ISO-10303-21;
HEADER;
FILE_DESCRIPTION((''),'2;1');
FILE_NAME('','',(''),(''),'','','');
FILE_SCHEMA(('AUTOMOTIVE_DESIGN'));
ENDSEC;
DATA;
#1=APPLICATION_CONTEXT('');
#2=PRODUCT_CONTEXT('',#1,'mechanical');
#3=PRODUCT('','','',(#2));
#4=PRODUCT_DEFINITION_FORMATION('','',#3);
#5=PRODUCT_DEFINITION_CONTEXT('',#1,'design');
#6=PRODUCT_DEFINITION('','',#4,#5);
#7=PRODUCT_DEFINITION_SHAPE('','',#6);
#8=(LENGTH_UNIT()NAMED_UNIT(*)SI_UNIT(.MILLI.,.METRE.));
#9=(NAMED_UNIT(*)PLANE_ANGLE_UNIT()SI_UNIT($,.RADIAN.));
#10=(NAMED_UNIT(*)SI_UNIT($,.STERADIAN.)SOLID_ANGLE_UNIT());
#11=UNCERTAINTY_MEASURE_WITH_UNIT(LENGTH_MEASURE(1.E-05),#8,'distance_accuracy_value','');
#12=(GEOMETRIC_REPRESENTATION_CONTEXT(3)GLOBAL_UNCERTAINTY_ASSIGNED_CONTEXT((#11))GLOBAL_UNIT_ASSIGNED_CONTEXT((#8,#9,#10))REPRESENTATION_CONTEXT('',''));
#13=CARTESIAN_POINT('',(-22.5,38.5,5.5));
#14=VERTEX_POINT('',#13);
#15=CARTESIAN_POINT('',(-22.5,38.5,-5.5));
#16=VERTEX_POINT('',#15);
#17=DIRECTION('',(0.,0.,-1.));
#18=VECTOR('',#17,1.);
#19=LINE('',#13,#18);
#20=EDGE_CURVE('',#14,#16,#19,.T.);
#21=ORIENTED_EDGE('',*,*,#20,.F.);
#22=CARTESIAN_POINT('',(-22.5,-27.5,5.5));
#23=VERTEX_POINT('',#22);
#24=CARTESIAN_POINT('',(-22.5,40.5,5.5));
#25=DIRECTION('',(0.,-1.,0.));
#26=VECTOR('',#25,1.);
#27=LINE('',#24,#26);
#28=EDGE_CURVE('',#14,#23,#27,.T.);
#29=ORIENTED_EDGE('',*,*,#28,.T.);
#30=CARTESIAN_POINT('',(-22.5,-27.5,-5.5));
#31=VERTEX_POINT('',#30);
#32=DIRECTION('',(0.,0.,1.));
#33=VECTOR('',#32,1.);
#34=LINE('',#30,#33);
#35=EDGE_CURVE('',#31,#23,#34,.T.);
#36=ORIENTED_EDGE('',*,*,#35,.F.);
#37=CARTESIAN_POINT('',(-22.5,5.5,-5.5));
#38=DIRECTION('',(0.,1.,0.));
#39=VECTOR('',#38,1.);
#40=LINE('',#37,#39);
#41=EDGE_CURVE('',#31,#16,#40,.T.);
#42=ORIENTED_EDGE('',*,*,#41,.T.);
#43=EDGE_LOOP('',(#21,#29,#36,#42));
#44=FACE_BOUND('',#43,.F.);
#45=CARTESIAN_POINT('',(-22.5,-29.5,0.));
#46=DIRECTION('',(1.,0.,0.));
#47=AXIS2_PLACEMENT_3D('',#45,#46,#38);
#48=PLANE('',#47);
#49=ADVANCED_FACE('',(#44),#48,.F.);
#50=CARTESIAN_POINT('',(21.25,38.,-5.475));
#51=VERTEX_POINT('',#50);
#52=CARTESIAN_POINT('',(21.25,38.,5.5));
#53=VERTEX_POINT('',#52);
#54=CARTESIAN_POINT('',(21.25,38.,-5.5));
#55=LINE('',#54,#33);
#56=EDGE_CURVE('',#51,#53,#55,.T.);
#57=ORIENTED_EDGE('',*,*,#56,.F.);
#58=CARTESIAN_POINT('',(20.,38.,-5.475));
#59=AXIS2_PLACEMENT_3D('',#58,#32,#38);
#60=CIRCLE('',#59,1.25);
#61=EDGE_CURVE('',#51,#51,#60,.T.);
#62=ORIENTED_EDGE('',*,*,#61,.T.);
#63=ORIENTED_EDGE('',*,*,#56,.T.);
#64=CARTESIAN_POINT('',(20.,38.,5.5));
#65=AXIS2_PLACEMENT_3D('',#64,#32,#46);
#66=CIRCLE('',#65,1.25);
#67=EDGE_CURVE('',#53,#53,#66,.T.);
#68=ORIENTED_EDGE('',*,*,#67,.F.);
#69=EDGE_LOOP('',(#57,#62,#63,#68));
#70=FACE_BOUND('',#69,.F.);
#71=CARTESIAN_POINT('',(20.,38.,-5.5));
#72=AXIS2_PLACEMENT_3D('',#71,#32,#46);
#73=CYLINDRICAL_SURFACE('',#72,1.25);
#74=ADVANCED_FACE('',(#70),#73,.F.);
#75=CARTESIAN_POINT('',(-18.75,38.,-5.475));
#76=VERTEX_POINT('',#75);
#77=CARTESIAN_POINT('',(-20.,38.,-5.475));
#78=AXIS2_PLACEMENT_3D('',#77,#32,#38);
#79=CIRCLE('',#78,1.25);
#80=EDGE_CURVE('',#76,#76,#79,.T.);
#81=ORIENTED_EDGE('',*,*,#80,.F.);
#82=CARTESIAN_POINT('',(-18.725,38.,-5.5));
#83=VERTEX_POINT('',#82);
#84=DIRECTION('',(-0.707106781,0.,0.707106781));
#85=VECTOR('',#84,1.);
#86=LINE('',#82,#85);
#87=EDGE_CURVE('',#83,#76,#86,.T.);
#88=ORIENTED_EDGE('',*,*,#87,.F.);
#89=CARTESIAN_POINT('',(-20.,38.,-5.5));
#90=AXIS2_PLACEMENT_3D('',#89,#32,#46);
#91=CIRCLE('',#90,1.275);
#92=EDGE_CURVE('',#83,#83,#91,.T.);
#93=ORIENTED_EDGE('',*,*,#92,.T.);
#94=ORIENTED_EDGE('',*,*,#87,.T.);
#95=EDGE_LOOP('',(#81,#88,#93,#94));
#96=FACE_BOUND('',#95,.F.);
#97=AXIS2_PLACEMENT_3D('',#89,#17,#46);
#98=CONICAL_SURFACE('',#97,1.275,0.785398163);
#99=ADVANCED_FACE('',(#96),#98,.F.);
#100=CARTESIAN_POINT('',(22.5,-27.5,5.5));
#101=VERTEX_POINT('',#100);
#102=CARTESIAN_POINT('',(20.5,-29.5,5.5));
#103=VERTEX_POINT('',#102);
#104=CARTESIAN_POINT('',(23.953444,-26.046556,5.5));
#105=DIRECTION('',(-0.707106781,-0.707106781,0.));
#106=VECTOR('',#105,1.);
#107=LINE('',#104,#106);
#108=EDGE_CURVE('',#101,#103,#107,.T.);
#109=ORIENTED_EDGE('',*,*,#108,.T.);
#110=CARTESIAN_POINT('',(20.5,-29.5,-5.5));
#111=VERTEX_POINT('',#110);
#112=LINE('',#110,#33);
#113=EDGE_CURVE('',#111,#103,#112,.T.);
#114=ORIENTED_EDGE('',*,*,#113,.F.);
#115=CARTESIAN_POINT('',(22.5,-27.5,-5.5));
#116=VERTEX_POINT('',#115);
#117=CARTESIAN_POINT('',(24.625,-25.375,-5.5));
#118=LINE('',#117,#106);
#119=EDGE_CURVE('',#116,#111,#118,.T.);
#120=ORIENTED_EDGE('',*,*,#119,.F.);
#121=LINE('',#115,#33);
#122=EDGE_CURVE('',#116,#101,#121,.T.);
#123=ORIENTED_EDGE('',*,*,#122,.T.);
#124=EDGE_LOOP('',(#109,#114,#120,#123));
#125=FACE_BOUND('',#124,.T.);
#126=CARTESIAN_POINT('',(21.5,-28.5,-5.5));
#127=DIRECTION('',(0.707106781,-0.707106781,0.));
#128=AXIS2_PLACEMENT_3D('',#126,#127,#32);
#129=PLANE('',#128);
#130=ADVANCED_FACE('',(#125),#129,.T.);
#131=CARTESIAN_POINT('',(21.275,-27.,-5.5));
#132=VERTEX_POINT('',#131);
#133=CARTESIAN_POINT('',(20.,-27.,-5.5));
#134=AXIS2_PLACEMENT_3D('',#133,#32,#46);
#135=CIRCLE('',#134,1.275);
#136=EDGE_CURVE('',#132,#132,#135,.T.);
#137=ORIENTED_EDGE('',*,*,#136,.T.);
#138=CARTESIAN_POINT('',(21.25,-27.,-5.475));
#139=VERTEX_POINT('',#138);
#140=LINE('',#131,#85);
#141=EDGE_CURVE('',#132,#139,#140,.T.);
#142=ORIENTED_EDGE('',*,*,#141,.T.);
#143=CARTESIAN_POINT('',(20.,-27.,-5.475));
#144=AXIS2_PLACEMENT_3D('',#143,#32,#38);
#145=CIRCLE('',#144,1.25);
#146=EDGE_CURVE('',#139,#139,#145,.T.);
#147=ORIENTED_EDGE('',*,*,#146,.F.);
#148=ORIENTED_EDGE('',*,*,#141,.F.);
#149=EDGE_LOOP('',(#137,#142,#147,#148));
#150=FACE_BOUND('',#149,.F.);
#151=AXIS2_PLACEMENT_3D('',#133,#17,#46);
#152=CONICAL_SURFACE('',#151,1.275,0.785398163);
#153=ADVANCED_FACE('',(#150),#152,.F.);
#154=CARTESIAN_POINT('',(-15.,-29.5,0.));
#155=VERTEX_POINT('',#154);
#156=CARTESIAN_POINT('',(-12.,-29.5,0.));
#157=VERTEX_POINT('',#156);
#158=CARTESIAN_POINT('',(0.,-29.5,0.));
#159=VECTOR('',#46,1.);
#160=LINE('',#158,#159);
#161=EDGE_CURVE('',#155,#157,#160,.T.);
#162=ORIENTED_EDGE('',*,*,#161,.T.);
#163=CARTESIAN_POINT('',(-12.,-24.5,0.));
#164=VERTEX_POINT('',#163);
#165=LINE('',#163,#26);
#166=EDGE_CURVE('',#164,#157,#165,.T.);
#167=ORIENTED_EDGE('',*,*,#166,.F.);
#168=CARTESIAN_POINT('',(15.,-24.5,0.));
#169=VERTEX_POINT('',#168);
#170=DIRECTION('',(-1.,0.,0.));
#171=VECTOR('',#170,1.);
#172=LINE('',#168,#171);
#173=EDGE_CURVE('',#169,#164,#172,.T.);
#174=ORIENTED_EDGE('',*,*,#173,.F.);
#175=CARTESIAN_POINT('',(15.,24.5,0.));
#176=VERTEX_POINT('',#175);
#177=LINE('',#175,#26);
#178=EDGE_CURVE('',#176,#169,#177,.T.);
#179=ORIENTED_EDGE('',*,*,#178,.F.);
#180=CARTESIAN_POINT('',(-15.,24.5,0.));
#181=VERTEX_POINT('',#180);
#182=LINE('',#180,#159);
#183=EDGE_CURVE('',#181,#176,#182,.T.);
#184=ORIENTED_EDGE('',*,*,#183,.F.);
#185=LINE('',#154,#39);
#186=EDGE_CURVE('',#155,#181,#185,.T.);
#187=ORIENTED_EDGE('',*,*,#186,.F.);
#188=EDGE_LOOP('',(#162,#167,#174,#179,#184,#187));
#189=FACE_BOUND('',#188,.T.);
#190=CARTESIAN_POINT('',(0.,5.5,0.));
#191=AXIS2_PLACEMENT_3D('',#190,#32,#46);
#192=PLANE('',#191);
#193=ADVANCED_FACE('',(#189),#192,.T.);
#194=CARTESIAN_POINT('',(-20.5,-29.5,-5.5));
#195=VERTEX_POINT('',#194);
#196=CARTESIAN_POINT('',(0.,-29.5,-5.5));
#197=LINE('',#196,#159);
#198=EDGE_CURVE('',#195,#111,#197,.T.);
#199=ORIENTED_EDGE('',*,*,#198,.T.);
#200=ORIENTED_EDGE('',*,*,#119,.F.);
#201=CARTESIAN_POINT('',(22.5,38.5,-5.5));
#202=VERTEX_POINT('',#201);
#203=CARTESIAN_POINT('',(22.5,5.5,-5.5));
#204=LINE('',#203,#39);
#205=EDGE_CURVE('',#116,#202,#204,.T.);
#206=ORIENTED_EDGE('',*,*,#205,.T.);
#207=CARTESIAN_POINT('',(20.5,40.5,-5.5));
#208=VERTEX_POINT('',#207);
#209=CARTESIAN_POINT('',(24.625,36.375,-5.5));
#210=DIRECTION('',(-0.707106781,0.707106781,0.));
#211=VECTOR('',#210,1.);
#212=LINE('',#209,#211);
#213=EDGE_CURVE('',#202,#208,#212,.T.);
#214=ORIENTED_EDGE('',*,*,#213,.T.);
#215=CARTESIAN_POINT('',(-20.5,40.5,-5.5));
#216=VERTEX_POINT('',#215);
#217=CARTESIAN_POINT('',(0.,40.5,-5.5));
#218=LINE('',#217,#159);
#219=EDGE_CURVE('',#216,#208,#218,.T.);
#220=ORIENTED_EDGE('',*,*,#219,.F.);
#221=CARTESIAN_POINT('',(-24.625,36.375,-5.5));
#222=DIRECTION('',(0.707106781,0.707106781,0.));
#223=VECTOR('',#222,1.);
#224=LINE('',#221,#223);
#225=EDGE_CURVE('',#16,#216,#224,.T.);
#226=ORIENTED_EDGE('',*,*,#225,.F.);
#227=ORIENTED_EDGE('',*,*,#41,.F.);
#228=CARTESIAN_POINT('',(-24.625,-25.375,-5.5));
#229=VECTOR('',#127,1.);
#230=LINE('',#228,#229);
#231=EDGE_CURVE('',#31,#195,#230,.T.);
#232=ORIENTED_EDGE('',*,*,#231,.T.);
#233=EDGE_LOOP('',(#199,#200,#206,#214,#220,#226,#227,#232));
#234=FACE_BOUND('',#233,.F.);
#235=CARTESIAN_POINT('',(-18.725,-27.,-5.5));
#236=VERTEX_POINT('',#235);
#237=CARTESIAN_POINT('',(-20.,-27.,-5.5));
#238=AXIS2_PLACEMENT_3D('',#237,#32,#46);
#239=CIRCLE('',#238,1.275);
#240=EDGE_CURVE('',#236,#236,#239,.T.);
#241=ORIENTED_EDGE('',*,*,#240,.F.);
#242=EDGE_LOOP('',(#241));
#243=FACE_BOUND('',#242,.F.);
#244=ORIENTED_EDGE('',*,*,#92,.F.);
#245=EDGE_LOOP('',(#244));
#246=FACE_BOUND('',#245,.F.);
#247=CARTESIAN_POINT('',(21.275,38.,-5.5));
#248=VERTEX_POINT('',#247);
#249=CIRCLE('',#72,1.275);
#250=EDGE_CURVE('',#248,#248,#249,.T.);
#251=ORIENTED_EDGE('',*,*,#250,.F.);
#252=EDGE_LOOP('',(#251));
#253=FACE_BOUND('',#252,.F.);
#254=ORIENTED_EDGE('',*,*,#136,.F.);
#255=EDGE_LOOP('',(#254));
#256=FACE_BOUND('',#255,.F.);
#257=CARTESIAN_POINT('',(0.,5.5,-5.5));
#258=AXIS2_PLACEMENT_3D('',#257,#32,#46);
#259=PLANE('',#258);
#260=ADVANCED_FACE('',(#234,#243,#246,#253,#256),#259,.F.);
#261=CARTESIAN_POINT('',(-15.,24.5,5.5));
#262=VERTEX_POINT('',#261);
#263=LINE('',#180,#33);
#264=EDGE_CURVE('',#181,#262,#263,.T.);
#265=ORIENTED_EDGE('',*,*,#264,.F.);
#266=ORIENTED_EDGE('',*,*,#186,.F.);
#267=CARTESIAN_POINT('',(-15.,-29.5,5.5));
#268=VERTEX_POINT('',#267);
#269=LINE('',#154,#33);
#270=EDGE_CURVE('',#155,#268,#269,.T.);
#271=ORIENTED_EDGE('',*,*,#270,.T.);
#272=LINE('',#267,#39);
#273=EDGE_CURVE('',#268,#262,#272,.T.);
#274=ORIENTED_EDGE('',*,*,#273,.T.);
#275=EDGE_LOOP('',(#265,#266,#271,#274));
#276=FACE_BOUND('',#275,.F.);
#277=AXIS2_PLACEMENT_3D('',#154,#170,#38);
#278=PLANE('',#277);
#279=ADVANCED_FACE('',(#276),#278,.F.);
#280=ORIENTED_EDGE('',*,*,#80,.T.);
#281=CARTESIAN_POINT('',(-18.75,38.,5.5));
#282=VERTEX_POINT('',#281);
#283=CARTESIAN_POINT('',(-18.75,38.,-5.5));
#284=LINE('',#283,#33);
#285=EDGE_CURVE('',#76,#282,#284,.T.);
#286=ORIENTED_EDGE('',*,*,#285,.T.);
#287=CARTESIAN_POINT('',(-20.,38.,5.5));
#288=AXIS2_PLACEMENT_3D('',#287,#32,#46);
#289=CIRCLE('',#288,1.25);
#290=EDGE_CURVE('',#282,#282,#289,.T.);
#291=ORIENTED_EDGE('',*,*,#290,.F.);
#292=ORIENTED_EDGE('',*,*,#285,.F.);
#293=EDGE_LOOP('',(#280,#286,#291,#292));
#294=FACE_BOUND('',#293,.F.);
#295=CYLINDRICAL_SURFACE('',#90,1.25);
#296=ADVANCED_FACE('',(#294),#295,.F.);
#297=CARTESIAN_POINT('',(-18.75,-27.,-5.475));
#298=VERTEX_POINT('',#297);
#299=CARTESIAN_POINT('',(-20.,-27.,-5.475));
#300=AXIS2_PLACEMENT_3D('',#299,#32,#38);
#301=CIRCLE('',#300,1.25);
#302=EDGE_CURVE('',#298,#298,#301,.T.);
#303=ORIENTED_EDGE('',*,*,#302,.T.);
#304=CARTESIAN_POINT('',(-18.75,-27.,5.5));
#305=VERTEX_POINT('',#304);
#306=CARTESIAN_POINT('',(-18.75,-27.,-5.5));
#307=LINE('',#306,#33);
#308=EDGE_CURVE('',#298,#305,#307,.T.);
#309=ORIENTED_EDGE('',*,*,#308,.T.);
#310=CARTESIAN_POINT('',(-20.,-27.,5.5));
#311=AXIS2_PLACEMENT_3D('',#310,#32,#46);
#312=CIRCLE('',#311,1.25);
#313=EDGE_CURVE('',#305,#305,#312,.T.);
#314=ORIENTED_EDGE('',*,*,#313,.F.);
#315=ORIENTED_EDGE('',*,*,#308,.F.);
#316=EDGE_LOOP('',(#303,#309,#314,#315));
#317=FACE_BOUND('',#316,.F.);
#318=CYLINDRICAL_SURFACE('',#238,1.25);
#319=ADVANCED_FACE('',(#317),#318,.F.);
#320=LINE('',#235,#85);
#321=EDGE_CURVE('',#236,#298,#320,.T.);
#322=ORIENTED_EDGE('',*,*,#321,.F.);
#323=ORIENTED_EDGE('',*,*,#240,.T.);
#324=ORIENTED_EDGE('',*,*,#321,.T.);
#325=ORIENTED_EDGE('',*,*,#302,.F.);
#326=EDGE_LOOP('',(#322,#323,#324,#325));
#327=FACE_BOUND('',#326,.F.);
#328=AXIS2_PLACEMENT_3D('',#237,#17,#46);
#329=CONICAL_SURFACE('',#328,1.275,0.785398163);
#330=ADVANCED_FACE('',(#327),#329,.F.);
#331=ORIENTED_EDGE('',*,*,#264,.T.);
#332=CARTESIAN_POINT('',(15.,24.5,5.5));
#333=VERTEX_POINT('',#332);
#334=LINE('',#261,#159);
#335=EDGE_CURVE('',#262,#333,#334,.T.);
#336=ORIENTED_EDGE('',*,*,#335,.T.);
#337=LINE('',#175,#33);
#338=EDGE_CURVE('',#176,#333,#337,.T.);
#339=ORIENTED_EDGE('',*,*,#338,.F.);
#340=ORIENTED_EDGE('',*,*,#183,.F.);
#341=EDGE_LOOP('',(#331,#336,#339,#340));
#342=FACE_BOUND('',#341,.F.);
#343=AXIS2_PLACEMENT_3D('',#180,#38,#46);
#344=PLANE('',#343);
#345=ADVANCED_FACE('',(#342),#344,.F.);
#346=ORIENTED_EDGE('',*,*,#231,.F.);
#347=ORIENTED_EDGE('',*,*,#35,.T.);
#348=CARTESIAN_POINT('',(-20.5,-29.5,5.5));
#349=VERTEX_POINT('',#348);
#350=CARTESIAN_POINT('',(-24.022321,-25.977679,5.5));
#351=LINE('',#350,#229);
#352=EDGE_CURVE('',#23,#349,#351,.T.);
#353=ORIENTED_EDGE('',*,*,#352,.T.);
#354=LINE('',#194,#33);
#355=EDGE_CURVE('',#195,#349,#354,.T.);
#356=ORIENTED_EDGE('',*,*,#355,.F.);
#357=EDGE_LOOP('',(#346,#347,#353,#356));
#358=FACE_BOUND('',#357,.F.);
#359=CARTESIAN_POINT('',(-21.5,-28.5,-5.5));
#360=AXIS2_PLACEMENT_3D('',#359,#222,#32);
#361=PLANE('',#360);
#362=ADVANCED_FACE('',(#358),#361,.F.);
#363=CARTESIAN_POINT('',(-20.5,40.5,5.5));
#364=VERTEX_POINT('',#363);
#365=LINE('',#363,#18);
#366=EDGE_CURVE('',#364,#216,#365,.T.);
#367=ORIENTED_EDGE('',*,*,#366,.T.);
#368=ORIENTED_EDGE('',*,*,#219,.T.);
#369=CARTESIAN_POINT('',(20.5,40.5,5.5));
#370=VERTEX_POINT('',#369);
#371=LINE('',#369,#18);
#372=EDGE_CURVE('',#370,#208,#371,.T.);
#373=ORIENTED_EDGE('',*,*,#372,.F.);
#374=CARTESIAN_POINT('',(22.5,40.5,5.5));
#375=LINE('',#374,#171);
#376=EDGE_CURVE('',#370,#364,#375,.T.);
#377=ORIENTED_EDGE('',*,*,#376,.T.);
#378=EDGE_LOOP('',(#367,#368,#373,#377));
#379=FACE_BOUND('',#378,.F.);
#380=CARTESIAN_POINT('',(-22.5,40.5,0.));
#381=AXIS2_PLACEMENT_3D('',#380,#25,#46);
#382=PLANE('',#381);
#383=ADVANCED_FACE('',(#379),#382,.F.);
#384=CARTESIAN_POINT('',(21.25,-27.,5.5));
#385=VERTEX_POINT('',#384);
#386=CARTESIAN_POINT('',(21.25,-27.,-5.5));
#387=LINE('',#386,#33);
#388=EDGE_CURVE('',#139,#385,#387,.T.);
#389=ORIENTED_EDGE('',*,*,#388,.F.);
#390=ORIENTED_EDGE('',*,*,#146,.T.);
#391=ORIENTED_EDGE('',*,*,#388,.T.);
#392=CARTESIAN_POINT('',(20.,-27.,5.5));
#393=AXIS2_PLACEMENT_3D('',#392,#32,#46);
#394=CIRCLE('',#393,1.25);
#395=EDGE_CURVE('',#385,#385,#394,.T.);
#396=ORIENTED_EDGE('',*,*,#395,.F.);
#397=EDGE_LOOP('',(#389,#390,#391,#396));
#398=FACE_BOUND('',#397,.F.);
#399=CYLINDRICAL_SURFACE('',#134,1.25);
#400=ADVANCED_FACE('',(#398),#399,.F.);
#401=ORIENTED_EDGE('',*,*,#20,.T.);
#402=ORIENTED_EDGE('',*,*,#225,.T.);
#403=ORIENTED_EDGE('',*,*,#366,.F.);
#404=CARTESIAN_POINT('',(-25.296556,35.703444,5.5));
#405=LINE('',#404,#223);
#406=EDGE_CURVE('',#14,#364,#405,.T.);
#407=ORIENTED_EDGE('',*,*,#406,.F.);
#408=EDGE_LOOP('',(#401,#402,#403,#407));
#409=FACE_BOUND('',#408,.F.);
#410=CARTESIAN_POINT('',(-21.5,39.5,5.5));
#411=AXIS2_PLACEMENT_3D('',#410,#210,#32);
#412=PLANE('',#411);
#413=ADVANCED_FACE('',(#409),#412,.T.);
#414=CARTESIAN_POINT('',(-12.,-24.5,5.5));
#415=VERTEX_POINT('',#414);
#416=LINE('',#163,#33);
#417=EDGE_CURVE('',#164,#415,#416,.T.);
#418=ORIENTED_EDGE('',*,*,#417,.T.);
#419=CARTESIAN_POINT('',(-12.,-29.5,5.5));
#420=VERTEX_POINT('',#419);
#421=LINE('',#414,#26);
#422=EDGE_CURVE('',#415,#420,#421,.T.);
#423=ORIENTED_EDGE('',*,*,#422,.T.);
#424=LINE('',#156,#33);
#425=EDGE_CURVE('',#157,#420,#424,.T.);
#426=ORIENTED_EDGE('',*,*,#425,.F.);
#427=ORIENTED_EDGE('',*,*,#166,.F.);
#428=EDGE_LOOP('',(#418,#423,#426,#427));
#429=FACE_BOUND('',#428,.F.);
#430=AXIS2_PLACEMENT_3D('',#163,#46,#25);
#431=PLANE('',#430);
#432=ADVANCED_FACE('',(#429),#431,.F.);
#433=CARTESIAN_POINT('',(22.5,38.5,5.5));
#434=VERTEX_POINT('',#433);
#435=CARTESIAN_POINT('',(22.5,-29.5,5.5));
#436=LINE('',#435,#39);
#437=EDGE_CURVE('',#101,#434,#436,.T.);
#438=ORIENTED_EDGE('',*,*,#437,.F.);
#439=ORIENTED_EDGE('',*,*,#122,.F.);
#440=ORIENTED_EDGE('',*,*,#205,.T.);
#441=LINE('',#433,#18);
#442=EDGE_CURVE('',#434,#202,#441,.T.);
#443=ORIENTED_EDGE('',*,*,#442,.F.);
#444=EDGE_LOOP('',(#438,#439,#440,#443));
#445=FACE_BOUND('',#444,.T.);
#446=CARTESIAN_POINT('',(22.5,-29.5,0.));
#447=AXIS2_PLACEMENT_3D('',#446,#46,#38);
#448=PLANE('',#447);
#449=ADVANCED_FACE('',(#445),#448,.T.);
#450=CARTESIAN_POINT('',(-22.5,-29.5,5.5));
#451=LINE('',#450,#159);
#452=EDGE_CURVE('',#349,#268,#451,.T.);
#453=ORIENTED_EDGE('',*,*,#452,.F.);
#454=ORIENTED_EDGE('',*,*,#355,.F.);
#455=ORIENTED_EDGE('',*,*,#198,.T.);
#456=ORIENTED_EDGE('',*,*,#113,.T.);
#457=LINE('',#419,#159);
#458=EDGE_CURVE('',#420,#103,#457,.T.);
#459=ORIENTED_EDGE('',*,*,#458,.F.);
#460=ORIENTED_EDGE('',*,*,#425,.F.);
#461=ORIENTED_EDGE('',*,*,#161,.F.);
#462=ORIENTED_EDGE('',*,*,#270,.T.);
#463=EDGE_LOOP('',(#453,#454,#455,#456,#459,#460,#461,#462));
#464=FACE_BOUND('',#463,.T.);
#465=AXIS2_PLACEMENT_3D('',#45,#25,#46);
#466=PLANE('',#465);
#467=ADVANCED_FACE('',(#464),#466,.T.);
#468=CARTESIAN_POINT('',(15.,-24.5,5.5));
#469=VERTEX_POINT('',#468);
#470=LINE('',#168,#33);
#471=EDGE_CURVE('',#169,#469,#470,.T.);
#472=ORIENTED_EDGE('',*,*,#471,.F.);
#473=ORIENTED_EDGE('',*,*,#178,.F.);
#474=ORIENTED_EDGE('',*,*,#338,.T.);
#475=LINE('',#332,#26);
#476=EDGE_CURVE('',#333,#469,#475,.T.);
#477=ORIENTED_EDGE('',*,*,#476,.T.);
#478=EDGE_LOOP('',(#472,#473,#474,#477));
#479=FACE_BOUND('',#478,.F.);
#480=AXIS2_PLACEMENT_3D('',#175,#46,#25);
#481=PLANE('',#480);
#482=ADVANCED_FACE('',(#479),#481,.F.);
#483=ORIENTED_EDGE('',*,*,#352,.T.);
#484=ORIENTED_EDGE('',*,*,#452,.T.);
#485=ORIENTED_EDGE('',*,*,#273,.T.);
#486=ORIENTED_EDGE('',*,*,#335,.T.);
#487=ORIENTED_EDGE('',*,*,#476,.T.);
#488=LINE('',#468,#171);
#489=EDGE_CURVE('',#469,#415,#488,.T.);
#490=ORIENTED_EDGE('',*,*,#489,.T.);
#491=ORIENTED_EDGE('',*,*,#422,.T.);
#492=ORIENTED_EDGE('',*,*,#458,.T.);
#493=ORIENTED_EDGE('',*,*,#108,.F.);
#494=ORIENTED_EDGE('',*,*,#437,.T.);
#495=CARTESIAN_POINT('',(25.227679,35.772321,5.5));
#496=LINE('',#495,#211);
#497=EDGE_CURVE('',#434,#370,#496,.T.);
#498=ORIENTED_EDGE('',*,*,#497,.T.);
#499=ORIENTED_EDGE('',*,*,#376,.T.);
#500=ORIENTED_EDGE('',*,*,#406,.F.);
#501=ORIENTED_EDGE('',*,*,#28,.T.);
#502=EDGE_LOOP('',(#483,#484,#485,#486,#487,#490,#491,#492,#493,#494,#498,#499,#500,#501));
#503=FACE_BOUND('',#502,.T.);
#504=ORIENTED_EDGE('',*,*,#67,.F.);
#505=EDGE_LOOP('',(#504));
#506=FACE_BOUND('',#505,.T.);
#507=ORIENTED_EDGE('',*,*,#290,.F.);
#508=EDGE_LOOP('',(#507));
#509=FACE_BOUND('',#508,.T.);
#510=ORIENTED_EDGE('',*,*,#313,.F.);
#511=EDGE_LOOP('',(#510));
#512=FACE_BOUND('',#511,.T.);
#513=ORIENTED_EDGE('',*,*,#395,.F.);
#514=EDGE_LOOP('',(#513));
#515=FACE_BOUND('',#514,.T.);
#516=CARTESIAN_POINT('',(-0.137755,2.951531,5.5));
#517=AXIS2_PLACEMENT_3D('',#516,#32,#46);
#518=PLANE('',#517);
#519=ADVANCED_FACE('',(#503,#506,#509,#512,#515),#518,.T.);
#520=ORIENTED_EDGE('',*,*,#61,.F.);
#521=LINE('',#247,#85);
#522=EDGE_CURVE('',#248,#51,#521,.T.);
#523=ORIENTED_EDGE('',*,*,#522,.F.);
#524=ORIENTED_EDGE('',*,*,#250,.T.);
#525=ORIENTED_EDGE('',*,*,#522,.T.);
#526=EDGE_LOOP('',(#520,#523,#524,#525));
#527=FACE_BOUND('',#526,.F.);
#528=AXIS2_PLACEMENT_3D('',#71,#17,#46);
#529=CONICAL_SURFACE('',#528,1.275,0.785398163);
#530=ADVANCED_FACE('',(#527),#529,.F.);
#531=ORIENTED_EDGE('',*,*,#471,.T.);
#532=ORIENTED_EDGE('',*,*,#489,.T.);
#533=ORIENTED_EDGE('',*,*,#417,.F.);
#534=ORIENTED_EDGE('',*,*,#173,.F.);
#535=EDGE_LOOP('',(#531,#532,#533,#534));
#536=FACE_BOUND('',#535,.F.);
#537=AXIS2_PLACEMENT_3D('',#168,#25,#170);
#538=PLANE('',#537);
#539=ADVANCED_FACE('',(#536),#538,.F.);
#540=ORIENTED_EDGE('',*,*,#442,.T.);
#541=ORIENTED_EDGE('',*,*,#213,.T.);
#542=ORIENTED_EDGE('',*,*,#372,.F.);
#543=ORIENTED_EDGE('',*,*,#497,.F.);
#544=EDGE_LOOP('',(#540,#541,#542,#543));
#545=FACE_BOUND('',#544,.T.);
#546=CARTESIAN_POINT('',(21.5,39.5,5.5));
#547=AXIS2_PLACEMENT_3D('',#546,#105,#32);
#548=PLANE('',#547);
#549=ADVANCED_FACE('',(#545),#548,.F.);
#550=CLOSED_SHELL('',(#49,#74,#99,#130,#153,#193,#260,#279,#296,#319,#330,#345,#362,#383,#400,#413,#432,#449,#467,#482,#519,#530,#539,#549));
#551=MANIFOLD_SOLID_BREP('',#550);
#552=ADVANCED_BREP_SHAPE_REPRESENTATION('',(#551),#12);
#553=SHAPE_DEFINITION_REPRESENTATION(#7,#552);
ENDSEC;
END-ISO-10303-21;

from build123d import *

# Parameters (mm, degrees)
BOSS_EXTRUDE1_DEPTH               = 5.5
SKETCH1_3_W                       = 45
SKETCH1_3_H                       = 70
BOSS_EXTRUDE2_DEPTH               = 5.5
TAP_DRILL_FOR_M3_TAP1_D           = 2.5
TAP_DRILL_FOR_M3_TAP1_CSINK_D     = 2.55
TAP_DRILL_FOR_M3_TAP1_CSINK_ANGLE = 90
CHAMFER1_SIZE                     = 2


with BuildPart() as part:
    # Sketch1 → Boss-Extrude1 (new body)
    with BuildSketch(Plane.XY):
        Polygon((-12, -29.5), (22.5, -29.5), (22.5, 40.5), (-22.5, 40.5), (-22.5, -29.5), (-15, -29.5), (-15, -24.5), (-15, 24.5), (15, 24.5), (15, -24.5), (-12, -24.5), align=None)
    extrude(amount=BOSS_EXTRUDE1_DEPTH)

    # Sketch1<3> → Boss-Extrude2 (add)
    with BuildSketch(Plane.XY):
        with Locations((0, 5.5)):
            Rectangle(SKETCH1_3_W, SKETCH1_3_H)
    extrude(amount=-BOSS_EXTRUDE2_DEPTH)

    # Tap Drill for M3 Tap1 (through all)
    with Locations(Plane(origin=(0, 0, -5.5), x_dir=(-1, 0, 0), z_dir=(0, 0, -1))):
        with Locations((20, 38), (-20, 38), (-20, -27), (20, -27)):
            CounterSinkHole(TAP_DRILL_FOR_M3_TAP1_D / 2, TAP_DRILL_FOR_M3_TAP1_CSINK_D / 2, counter_sink_angle=TAP_DRILL_FOR_M3_TAP1_CSINK_ANGLE)

    # Chamfer1
    chamfer1_edges = [part.edges().sort_by_distance(p)[0] for p in [
        (-22.5, -29.5, 0),
        (-22.5, 40.5, 0),
        (22.5, 40.5, 0),
        (22.5, -29.5, 0),
    ]]
    chamfer(chamfer1_edges, length=CHAMFER1_SIZE)


solid = part.part
